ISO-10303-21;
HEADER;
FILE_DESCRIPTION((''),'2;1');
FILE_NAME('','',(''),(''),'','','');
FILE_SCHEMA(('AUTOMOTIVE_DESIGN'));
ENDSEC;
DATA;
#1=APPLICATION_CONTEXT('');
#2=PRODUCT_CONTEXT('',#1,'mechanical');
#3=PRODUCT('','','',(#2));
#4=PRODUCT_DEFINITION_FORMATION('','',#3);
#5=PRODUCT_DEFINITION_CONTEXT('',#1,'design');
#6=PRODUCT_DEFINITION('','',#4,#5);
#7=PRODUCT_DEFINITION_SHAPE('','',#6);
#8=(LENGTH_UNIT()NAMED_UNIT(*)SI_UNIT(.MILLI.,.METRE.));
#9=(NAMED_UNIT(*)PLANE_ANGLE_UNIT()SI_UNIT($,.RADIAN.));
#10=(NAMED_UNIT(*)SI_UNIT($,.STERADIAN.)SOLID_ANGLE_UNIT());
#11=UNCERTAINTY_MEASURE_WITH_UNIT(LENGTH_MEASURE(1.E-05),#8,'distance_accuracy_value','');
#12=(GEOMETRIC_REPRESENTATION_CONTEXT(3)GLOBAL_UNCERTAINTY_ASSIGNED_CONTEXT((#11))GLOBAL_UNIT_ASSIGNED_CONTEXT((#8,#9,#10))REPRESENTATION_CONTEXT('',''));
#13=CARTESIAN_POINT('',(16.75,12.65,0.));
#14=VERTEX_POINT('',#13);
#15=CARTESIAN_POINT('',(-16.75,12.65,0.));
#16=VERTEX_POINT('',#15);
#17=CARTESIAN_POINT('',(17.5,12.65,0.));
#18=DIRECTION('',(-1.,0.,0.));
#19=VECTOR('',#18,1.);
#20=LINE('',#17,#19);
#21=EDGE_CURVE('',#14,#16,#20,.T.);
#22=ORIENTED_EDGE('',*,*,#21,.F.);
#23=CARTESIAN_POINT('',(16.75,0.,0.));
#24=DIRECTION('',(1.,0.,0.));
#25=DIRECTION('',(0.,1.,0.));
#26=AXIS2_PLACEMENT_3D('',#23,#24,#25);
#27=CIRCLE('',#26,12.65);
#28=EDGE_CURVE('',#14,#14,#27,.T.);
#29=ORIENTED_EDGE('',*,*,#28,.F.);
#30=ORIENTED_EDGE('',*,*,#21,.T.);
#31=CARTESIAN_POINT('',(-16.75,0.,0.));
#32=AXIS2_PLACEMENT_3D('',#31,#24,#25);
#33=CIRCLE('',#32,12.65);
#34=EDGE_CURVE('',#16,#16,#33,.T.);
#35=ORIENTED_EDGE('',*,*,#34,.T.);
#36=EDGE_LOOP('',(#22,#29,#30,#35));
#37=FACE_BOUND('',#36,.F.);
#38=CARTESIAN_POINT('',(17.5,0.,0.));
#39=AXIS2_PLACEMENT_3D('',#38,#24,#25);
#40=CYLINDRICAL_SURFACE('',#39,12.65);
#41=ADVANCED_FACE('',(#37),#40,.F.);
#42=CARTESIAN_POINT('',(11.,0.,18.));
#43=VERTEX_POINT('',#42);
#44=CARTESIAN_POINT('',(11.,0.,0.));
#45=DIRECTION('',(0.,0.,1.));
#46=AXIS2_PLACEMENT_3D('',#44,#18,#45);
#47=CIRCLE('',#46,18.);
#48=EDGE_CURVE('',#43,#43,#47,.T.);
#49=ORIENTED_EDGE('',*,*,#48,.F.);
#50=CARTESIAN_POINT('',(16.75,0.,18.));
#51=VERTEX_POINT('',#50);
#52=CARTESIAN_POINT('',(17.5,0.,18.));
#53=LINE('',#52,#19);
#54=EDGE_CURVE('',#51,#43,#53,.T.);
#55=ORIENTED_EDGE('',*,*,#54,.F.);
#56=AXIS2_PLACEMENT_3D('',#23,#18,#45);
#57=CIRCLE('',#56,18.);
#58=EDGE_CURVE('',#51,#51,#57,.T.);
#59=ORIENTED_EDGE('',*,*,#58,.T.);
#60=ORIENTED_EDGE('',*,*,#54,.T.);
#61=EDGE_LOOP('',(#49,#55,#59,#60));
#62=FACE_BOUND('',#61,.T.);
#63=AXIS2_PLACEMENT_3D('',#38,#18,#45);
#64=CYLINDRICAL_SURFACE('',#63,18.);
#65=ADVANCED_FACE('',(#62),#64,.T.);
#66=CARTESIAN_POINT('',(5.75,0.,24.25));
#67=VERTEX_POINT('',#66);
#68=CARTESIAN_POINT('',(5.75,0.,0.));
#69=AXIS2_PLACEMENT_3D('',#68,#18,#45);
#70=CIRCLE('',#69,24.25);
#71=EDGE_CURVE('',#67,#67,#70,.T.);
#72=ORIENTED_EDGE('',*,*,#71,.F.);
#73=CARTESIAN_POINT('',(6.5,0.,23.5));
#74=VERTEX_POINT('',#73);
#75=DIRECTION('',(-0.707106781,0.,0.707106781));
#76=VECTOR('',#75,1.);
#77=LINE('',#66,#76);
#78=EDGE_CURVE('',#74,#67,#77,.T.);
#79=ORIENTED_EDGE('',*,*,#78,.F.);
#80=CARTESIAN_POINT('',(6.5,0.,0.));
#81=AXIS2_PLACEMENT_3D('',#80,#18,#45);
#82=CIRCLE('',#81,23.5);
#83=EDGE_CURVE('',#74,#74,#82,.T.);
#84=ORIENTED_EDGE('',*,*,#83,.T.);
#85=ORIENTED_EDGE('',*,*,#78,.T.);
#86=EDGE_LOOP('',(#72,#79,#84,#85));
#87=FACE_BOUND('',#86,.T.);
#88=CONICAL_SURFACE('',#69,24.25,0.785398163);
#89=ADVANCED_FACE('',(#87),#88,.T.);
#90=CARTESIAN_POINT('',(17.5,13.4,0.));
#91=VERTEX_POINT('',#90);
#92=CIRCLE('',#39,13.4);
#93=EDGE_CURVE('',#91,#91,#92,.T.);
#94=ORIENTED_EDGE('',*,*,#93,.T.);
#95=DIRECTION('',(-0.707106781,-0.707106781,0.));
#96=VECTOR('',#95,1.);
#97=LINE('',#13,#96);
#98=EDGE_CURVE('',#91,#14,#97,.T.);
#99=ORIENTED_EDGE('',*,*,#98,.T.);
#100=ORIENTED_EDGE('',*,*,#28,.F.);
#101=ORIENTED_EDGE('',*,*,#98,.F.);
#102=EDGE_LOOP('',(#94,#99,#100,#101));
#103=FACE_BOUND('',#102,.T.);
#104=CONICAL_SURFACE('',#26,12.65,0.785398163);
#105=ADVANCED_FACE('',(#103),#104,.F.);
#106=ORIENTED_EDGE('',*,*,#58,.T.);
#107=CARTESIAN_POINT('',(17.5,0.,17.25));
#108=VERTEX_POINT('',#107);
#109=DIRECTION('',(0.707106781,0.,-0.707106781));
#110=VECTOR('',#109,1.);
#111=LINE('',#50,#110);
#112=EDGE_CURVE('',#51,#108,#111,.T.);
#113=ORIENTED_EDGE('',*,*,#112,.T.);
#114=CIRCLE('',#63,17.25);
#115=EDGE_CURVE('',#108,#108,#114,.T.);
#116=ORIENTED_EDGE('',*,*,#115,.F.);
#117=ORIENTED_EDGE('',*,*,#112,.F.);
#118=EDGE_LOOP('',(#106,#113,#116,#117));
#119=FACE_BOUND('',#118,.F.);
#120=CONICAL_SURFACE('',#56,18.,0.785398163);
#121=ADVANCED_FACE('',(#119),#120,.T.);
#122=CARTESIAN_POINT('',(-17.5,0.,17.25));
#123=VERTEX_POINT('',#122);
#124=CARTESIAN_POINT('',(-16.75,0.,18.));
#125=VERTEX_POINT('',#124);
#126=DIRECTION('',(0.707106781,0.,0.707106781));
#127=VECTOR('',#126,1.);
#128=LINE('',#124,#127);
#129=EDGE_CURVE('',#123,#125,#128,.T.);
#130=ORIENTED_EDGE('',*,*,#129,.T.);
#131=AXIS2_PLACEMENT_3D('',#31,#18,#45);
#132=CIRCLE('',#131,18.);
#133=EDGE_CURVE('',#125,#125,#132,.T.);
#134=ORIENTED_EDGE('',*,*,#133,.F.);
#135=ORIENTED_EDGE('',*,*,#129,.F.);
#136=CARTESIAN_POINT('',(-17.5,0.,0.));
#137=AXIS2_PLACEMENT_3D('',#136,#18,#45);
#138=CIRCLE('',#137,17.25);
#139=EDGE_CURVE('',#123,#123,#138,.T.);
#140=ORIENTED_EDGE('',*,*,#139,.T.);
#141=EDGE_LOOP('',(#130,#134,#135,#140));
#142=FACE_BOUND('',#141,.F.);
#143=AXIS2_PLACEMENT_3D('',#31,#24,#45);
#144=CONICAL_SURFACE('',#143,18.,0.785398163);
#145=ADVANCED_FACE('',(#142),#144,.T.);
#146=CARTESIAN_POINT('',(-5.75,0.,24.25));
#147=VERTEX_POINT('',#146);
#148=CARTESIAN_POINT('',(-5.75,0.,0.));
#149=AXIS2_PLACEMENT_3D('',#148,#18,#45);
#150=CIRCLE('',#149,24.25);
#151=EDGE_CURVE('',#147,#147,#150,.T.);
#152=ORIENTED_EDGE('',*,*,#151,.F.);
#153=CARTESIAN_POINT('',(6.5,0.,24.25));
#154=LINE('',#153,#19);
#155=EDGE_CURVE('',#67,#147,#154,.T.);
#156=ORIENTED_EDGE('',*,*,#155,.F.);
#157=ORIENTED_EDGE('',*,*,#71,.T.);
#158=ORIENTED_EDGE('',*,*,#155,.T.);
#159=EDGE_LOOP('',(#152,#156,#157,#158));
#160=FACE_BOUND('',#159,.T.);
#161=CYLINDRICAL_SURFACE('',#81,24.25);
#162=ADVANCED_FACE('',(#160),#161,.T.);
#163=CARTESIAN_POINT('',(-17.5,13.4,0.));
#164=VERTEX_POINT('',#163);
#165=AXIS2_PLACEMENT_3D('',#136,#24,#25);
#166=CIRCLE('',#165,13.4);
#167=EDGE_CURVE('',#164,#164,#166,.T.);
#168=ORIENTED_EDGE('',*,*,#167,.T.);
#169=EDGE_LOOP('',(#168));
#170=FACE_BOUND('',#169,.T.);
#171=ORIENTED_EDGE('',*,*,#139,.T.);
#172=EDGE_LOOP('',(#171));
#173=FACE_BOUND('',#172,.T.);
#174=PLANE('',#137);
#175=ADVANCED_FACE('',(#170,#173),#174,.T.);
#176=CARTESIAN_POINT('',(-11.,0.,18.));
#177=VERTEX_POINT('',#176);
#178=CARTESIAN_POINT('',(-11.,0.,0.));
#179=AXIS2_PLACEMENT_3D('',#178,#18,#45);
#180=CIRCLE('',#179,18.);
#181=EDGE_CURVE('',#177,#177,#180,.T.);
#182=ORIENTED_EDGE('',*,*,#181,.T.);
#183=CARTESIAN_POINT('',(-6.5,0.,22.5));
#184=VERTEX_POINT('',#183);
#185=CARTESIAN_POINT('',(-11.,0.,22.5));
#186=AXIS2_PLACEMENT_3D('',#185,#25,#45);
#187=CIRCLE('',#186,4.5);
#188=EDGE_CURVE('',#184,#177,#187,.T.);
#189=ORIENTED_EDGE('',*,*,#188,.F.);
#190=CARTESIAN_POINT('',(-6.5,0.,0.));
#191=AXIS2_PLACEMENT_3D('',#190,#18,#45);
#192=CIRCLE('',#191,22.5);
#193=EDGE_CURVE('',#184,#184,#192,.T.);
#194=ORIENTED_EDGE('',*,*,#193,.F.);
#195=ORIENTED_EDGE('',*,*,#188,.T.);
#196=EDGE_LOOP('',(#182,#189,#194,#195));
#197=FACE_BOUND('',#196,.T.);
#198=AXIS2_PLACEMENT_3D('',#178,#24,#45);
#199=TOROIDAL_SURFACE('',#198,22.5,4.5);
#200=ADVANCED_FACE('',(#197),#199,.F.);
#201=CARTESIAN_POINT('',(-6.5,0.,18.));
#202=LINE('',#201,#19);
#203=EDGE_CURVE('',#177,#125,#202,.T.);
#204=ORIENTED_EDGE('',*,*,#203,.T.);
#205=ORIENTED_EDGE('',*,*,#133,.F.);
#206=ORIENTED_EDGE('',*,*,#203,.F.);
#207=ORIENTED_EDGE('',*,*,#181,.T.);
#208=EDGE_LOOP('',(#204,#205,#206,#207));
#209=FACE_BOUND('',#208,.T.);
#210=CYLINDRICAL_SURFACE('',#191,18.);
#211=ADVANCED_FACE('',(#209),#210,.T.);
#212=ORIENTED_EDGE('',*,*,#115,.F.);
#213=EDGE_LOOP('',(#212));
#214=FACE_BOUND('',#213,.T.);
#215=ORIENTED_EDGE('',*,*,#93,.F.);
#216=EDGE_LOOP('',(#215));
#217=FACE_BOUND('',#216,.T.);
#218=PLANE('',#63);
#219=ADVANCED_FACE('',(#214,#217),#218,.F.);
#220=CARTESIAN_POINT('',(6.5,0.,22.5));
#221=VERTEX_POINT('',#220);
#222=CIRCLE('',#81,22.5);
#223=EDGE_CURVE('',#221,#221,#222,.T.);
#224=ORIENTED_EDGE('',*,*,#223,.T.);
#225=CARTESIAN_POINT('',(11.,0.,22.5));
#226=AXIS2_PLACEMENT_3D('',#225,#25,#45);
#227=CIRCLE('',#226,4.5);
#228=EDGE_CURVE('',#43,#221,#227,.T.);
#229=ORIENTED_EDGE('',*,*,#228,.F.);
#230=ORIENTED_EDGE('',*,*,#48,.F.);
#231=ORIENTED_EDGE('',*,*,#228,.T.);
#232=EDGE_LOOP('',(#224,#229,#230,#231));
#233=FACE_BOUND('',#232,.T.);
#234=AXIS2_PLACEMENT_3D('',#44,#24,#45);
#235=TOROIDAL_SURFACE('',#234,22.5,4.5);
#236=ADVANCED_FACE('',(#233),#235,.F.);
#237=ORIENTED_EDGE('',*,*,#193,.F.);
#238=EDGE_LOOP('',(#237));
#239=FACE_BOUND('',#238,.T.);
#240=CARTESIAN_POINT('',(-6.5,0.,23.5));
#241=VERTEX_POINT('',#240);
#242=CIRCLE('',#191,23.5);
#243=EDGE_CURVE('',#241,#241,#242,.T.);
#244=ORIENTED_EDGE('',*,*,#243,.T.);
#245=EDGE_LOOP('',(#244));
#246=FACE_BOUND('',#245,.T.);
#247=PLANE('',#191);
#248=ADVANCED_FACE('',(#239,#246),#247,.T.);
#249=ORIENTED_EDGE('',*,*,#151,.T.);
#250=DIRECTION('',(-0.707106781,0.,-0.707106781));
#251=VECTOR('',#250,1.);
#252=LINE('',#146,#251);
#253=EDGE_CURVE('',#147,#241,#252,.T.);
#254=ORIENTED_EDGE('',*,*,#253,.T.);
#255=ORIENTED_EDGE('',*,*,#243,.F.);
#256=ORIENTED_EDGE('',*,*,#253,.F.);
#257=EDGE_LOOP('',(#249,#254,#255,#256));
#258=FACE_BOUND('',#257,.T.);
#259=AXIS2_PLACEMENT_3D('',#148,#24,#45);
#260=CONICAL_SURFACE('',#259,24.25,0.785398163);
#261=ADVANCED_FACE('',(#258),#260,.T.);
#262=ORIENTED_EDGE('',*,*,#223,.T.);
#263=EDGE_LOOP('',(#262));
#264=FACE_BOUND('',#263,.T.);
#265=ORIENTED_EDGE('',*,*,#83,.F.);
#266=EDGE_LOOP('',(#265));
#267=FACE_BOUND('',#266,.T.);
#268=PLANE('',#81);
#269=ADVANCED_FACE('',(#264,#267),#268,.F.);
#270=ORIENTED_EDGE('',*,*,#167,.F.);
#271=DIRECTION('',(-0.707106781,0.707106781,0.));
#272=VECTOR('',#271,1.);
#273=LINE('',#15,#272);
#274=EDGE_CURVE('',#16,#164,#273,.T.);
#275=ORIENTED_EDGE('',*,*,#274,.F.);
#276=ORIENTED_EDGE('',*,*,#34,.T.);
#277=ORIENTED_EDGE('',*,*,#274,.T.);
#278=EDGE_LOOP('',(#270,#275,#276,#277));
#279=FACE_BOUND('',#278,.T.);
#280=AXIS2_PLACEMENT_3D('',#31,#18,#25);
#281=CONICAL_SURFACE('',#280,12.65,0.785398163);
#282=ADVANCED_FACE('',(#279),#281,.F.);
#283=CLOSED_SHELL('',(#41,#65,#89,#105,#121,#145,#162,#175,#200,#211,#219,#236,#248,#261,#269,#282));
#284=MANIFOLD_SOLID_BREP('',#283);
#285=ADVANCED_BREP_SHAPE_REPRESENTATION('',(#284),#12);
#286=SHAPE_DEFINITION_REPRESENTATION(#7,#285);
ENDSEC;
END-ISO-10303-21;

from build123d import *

# Parameters (mm, degrees)
F2_R     = 4.5
F3_R     = 12.65
F4_DEPTH = 35.001
F5_SIZE  = 0.75


with BuildPart() as f1:
    # F0 (on Front) → F1 (revolve)
    with BuildSketch(Plane.XZ):
        Polygon((-17.5, 0), (0, 0), (17.5, 0), (17.5, 18), (6.5, 18), (6.5, 24.25), (-6.5, 24.25), (-6.5, 18), (-17.5, 18), align=None)
    revolve(axis=Axis((-8.75, 0, 0), (-1, 0, 0)))

    # F2
    f2_edges = [f1.edges().sort_by_distance(p)[0] for p in [
        (6.5, 0, -18),
        (-6.5, 0, -18),
    ]]
    fillet(f2_edges, radius=F2_R)

    # F3 (on face) → F4 (cut, through all)
    with BuildSketch(Plane.YZ.offset(17.5)):
        Circle(F3_R)
    extrude(amount=-F4_DEPTH, mode=Mode.SUBTRACT)

    # F5
    f5_edges = [f1.edges().sort_by_distance(p)[0] for p in [
        (17.5, -12.65, 0),
        (0, 12.65, 0),
        (-17.5, -12.65, 0),
        (-6.5, 0, -24.25),
        (-17.5, 0, -18),
        (6.5, 0, -24.25),
        (17.5, 0, -18),
    ]]
    chamfer(f5_edges, length=F5_SIZE)


solid = f1.part
